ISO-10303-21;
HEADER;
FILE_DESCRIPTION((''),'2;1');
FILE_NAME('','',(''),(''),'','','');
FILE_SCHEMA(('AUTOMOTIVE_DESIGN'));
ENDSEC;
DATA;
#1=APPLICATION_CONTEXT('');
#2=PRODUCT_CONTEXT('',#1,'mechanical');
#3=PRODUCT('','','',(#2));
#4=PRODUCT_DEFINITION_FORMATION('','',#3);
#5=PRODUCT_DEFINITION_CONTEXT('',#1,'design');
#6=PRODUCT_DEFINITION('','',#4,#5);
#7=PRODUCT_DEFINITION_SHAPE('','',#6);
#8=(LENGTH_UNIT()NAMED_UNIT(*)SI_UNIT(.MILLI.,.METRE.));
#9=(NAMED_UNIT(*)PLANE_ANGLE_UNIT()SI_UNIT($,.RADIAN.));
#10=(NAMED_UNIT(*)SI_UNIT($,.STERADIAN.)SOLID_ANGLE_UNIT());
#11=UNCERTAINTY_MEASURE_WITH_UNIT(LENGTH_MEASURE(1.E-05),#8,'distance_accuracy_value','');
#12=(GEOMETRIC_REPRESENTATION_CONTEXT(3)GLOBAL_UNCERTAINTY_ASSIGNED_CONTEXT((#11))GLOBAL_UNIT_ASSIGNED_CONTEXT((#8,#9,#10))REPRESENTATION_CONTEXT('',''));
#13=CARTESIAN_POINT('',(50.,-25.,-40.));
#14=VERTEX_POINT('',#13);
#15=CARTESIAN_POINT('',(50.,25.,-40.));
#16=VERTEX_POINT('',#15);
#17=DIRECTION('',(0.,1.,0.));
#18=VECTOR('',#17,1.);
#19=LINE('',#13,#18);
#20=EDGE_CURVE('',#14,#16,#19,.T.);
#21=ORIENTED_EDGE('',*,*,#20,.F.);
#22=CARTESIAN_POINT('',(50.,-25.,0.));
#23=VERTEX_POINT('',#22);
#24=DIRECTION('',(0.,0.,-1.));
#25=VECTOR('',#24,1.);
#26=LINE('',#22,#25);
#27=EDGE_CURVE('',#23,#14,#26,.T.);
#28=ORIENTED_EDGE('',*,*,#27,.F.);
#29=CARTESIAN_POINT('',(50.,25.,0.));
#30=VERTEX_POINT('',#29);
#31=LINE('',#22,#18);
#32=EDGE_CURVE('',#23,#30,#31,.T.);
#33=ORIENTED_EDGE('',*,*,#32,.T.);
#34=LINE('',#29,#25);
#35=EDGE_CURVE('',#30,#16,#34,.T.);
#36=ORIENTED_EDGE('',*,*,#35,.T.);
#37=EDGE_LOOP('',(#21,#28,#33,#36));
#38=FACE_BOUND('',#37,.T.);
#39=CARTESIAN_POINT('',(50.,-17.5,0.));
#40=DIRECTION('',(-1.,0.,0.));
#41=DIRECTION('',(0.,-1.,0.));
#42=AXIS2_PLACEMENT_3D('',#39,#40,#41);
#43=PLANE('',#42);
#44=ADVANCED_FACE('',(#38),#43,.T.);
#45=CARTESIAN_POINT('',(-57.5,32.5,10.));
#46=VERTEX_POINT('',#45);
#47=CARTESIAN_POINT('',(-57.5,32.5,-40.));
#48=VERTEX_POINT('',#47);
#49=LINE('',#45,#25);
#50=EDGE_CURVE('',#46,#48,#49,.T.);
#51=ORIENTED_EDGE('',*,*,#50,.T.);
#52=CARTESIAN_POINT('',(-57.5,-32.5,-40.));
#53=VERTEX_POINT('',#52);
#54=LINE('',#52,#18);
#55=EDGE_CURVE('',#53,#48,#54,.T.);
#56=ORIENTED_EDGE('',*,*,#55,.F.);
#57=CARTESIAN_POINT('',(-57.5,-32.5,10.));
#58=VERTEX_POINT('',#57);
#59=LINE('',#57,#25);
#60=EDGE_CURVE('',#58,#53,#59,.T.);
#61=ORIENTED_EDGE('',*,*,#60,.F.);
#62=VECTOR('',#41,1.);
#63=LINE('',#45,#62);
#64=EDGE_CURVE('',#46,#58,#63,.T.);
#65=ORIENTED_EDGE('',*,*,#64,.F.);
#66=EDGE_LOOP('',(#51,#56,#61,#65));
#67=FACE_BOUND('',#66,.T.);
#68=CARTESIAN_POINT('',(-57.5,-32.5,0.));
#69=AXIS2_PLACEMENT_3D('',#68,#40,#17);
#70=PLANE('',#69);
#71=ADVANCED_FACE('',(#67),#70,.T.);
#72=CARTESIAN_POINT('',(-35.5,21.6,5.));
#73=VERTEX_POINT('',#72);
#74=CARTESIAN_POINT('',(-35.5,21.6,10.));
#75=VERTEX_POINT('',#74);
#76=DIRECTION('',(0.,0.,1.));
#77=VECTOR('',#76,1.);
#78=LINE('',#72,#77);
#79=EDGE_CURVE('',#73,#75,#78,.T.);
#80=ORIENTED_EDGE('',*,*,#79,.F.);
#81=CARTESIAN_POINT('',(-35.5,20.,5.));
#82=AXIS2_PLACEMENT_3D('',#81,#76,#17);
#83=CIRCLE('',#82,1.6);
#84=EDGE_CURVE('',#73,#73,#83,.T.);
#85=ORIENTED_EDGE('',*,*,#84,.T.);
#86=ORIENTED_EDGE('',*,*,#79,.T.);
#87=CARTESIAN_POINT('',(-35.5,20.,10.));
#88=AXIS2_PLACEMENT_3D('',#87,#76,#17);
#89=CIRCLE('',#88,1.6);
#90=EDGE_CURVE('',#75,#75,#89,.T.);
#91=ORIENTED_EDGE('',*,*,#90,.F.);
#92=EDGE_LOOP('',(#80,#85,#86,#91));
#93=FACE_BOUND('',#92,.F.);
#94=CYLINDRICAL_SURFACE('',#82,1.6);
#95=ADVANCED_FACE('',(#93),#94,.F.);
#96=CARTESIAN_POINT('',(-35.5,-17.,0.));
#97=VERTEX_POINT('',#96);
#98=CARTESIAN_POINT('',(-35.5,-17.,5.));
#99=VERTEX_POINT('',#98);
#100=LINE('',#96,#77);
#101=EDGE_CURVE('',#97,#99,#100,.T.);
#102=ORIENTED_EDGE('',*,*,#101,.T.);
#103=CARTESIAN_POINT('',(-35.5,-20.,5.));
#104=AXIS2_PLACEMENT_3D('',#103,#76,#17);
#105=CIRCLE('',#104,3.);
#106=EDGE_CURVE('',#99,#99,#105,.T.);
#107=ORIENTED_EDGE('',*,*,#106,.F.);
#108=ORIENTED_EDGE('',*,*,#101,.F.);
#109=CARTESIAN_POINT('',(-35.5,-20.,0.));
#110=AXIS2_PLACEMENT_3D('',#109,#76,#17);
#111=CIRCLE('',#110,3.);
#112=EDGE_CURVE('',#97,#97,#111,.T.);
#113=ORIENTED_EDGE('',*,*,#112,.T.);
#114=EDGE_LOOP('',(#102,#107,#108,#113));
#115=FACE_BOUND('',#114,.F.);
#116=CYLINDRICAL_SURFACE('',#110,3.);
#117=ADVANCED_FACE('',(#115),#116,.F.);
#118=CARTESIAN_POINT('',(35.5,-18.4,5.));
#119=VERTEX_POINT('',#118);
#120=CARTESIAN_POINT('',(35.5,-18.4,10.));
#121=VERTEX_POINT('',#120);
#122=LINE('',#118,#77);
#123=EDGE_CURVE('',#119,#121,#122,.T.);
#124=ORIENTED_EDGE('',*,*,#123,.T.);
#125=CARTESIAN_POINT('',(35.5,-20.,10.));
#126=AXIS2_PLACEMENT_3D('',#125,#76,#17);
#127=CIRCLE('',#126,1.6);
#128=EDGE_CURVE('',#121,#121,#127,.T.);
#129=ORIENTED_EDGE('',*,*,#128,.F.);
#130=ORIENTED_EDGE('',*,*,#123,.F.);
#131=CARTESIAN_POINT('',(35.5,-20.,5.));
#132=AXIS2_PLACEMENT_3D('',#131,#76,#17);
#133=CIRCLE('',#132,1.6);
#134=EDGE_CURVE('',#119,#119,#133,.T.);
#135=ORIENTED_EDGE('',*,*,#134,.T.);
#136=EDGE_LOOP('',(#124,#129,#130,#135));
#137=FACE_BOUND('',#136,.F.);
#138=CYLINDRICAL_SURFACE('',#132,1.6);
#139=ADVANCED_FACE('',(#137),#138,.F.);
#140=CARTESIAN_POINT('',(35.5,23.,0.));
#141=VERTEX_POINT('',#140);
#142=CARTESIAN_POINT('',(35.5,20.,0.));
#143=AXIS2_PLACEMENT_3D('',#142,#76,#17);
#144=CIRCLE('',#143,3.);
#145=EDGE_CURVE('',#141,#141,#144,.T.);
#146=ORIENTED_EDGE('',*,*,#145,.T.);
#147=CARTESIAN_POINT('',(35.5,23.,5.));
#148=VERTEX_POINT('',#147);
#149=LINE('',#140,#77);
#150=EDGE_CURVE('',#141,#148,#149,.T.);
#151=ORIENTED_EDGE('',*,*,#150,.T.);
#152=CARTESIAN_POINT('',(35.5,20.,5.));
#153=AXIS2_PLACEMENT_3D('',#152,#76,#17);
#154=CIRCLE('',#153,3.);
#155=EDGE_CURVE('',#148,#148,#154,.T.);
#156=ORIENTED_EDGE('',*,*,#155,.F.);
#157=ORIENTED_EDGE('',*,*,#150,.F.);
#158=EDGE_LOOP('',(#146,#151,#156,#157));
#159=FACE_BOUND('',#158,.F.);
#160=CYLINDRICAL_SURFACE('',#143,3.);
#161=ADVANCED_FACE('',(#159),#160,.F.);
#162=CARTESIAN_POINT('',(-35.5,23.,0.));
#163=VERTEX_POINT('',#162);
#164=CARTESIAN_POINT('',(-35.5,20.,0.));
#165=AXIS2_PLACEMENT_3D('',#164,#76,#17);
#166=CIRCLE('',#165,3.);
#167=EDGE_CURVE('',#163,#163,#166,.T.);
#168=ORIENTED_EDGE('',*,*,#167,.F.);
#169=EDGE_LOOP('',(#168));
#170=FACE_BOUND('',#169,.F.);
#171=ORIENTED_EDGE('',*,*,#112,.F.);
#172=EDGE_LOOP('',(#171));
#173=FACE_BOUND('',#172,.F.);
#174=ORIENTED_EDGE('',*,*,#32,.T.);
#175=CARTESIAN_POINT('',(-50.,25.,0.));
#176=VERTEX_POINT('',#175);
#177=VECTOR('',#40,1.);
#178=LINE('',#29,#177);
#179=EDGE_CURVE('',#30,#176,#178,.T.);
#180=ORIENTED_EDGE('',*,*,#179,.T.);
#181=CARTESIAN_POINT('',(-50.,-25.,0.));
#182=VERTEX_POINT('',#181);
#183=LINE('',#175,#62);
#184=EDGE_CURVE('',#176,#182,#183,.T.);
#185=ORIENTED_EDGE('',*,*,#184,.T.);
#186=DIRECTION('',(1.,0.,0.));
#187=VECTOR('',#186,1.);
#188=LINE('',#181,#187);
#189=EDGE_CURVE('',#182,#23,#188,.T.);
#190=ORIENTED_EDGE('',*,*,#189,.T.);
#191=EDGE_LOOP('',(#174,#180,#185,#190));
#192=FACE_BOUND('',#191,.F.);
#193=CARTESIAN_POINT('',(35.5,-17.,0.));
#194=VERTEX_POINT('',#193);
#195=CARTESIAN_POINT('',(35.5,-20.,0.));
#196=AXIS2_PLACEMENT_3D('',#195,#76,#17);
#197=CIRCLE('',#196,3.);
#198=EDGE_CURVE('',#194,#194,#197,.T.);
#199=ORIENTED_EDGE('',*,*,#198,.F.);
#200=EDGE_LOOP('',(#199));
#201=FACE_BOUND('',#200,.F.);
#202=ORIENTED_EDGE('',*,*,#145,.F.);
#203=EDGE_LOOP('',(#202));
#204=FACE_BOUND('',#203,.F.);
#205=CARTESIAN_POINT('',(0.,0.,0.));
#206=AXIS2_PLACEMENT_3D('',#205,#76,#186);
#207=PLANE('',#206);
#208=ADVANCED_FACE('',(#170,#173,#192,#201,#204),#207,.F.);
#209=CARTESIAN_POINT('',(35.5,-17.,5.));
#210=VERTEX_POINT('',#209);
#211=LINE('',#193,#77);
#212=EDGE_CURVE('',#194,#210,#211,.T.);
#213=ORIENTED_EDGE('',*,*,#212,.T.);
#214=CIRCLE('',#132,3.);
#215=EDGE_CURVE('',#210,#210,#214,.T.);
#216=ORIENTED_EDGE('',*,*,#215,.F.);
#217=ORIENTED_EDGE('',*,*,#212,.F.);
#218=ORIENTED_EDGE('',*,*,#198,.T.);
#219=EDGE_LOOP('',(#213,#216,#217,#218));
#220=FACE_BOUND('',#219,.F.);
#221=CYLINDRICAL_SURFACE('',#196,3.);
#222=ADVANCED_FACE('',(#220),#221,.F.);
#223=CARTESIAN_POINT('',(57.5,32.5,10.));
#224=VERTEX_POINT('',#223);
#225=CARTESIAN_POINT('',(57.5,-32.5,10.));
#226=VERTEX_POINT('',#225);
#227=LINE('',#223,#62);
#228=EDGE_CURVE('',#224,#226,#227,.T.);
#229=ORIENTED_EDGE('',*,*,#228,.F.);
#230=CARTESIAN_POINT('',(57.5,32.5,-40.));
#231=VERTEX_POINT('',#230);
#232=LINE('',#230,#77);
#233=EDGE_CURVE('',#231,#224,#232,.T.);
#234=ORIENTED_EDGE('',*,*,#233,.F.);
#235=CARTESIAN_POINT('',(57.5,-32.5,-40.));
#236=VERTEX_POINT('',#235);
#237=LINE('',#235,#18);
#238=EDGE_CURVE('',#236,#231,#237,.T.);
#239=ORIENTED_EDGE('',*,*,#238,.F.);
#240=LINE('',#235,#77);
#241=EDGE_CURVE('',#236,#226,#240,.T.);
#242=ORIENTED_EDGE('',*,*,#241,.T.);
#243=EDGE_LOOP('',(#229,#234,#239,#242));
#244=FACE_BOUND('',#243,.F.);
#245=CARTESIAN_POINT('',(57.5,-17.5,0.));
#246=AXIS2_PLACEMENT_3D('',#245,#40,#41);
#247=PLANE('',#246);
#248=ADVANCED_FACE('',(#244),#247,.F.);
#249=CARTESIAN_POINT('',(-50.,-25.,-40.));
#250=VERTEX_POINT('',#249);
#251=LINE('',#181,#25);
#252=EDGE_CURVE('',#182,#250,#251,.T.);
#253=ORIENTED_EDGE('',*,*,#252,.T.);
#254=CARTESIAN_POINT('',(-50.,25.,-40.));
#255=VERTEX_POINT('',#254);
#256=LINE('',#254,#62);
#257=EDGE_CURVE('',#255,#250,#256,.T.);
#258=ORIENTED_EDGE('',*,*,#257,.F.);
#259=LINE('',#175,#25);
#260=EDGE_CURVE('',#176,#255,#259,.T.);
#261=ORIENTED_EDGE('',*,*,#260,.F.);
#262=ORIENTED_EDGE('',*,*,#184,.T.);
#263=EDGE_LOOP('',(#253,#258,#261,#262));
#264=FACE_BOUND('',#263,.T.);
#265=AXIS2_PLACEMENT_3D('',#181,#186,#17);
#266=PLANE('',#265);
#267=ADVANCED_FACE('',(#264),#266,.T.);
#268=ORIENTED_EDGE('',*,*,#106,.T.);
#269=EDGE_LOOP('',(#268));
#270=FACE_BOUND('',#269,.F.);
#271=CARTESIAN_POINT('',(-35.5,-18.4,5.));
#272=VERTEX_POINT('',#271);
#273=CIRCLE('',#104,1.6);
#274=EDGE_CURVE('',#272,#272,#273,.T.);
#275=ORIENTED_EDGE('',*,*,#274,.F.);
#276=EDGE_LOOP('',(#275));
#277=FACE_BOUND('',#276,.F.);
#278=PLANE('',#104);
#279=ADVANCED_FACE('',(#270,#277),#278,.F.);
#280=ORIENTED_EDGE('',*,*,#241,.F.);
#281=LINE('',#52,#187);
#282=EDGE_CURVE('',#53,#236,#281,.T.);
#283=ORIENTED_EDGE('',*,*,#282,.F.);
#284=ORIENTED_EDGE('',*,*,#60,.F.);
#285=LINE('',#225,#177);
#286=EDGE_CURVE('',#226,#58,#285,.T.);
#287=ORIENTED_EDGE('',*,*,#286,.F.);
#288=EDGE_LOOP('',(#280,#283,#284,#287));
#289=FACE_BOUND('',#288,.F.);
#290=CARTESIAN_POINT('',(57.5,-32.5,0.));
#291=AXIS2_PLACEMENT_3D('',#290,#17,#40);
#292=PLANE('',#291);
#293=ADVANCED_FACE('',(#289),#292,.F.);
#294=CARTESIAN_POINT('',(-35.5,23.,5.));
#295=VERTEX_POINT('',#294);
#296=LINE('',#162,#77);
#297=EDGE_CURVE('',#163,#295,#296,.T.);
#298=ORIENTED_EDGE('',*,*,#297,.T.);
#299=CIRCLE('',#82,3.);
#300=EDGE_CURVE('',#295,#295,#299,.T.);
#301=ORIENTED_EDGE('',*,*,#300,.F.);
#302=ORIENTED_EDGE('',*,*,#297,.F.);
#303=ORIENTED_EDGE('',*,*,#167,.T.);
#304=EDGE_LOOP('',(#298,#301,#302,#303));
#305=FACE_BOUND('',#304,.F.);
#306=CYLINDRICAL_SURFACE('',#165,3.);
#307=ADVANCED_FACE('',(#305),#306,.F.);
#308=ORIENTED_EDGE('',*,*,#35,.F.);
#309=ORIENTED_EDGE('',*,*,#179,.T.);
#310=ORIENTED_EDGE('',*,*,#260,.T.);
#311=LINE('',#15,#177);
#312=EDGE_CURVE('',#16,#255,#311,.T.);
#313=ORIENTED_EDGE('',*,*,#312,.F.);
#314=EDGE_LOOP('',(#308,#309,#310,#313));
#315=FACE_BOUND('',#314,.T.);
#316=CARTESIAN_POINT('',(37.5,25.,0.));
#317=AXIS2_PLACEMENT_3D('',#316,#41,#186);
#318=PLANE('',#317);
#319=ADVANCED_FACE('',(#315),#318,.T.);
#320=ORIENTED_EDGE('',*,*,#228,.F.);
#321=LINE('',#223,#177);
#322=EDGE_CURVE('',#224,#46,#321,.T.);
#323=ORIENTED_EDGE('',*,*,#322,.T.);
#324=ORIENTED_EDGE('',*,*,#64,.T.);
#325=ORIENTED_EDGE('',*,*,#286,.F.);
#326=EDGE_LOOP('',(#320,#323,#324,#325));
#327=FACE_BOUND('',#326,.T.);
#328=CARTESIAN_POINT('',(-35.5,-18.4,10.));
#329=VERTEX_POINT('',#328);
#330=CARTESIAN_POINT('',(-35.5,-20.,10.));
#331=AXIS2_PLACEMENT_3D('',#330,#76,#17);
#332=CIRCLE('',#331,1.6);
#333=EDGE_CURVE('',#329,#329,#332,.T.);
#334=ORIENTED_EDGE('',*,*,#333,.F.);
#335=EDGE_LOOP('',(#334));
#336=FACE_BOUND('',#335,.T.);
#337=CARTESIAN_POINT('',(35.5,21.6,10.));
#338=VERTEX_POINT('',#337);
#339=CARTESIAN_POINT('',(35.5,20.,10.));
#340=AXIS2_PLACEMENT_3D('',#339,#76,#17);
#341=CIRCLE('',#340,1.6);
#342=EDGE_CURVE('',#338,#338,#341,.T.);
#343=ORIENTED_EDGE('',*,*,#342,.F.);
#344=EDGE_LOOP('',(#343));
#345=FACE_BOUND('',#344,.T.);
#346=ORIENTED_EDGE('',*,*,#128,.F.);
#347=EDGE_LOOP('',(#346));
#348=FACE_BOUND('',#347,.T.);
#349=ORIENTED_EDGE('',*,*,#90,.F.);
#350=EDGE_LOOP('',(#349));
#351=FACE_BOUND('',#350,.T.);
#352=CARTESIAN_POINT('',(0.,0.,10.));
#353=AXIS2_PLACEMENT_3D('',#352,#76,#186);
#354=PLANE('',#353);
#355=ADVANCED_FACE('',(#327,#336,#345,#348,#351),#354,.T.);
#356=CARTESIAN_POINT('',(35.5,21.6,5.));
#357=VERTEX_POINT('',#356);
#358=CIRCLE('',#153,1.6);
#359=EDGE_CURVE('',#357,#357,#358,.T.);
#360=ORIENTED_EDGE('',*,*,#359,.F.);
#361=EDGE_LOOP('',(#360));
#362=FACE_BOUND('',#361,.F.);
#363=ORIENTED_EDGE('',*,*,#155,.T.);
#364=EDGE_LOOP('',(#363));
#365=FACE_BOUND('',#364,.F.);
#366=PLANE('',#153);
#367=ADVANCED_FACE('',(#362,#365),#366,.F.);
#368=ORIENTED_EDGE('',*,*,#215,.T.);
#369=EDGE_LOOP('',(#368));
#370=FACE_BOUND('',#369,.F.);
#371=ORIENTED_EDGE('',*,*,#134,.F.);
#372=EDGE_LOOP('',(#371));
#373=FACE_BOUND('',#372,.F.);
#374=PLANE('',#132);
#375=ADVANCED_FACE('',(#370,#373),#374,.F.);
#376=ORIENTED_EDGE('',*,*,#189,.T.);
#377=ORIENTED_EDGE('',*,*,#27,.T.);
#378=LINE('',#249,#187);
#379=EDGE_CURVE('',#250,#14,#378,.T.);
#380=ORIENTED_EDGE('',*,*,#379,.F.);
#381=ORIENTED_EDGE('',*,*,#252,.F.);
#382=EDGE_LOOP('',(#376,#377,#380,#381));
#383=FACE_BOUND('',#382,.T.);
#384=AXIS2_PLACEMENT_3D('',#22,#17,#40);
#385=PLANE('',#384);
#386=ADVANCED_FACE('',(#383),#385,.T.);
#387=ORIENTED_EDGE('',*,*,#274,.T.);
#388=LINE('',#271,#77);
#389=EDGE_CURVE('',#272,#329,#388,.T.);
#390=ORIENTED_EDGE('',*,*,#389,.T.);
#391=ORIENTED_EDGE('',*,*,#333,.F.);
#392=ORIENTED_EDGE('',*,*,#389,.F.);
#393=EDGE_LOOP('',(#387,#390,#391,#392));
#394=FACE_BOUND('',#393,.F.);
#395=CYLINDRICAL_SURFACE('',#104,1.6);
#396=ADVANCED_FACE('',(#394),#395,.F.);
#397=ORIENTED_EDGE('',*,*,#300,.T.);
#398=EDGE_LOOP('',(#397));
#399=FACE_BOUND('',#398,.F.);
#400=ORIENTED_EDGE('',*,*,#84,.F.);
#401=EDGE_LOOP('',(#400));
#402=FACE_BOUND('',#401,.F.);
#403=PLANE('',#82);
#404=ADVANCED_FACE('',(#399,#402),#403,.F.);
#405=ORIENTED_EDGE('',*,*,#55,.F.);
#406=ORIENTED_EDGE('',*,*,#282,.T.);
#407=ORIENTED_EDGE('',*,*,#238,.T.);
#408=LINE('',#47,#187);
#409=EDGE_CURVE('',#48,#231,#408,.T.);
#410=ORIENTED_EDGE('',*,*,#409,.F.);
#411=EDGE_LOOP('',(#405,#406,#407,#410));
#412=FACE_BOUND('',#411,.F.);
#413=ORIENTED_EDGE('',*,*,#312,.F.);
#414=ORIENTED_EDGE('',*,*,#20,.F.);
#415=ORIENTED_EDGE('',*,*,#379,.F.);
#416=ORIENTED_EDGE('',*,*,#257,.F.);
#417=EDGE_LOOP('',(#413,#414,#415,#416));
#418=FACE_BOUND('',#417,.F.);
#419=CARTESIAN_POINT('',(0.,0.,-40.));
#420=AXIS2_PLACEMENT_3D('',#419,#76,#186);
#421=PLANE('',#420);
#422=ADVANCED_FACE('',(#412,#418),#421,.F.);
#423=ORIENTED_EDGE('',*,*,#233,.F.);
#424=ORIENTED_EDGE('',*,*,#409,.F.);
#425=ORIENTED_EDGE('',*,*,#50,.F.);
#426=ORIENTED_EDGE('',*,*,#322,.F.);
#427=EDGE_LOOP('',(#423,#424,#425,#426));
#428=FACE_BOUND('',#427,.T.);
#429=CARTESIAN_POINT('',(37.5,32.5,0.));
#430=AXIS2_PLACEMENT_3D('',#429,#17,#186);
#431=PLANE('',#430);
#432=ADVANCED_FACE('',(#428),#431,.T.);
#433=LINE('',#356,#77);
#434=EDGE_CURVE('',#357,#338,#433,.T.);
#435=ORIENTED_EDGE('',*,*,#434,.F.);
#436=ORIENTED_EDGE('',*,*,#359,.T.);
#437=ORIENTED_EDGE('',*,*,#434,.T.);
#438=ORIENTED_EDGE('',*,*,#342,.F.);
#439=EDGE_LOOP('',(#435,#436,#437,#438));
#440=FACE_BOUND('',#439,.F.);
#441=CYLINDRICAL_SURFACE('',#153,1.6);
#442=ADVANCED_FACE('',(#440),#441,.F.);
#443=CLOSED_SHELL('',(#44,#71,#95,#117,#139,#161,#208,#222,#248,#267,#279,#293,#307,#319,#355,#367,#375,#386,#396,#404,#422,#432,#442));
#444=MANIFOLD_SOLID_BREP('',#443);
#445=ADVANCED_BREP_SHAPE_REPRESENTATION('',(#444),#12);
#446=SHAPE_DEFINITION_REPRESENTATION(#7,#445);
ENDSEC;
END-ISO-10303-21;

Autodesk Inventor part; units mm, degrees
ref_plane "YZ Plane" through (0, 0, 0) normal (1, 0, 0) x (0, 1, 0)
ref_plane "XZ Plane" through (0, 0, 0) normal (0, 1, 0) x (-1, 0, 0)
ref_plane "XY Plane" through (0, 0, 0) normal (0, 0, 1) x (1, 0, 0)
sketch "Sketch1" plane through (0, 0, 0) normal (0, 0, 1) x (1, 0, 0)
  line L0 (57.5, -32.5) -> (-57.5, -32.5)
  line L1 (-57.5, -32.5) -> (-57.5, 32.5)
  line L2 (-57.5, 32.5) -> (57.5, 32.5)
  line L3 (57.5, 32.5) -> (57.5, -32.5)
  line L4 (50, -25) -> (-50, -25)
  line L5 (-50, -25) -> (-50, 25)
  line L6 (-50, 25) -> (50, 25)
  line L7 (50, 25) -> (50, -25)
  line L8 (57.5, 0) -> (-57.5, 0) construction
  line L9 (0, -32.5) -> (0, 32.5) construction
  line L10 (-37.5, 32.5) -> (-37.5, 25)
  line L11 (-57.5, 17.5) -> (-50, 17.5)
  line L12 (37.5, -25) -> (37.5, -32.5)
  line L13 (50, -17.5) -> (57.5, -17.5)
  line L14 (-37.5, -25) -> (-37.5, -32.5)
  line L15 (-57.5, -17.5) -> (-50, -17.5)
  line L16 (37.5, 32.5) -> (37.5, 25)
  line L17 (50, 17.5) -> (57.5, 17.5)
  line L18 (-53.75, 28.75) -> (53.75, 28.75) construction
  line L19 (53.75, 28.75) -> (53.75, -28.75) construction
  line L20 (53.75, -28.75) -> (-53.75, -28.75) construction
  line L21 (-53.75, -28.75) -> (-53.75, 28.75) construction
  line L22 (-53.75, 28.75) -> (53.75, -28.75) construction
  line L23 (53.75, 28.75) -> (-53.75, -28.75) construction
  point P0 (0, 0)
  point P1 (-35.5, 20)
  point P2 (35.5, 20)
  point P3 (35.5, -20)
  point P4 (-35.5, -20)
  dimension "d0" = 115
  dimension "d1" = 65
  dimension "d2" = 100
  dimension "d3" = 50
  dimension "d4" = 15
  dimension "d5" = 20
  dimension "d6" = 40
  dimension "d7" = 71
extrude "Extrusion1" add sketch "Sketch1" against normal blind 40 contours L0 L12 L4 L7 L13 L3 | L0 L1 L15 L5 L4 L14 | L17 L7 L6 L16 L2 L3 | L1 L2 L10 L6 L5 L11
extrude "Extrusion2" add sketch "Sketch1" along normal blind 10
hole "Hole1" at (-35.5, 20, 0) at (35.5, 20, 0) at (35.5, -20, 0) at (-35.5, -20, 0) direction (0, 0, 1) diameter 3.2 end through all counterbore diameter 6 counterbore depth 5
extrude "Extrusion8" add sketch "Sketch1" against normal blind 40 contours L0 L14 L4 L12 | L13 L7 L17 L3 | L1 L11 L5 L15 | L16 L6 L10 L2
equation "\"epsilon\" = 0"
properties part number "magnet_holder" material "PC/ABS Plastic"
